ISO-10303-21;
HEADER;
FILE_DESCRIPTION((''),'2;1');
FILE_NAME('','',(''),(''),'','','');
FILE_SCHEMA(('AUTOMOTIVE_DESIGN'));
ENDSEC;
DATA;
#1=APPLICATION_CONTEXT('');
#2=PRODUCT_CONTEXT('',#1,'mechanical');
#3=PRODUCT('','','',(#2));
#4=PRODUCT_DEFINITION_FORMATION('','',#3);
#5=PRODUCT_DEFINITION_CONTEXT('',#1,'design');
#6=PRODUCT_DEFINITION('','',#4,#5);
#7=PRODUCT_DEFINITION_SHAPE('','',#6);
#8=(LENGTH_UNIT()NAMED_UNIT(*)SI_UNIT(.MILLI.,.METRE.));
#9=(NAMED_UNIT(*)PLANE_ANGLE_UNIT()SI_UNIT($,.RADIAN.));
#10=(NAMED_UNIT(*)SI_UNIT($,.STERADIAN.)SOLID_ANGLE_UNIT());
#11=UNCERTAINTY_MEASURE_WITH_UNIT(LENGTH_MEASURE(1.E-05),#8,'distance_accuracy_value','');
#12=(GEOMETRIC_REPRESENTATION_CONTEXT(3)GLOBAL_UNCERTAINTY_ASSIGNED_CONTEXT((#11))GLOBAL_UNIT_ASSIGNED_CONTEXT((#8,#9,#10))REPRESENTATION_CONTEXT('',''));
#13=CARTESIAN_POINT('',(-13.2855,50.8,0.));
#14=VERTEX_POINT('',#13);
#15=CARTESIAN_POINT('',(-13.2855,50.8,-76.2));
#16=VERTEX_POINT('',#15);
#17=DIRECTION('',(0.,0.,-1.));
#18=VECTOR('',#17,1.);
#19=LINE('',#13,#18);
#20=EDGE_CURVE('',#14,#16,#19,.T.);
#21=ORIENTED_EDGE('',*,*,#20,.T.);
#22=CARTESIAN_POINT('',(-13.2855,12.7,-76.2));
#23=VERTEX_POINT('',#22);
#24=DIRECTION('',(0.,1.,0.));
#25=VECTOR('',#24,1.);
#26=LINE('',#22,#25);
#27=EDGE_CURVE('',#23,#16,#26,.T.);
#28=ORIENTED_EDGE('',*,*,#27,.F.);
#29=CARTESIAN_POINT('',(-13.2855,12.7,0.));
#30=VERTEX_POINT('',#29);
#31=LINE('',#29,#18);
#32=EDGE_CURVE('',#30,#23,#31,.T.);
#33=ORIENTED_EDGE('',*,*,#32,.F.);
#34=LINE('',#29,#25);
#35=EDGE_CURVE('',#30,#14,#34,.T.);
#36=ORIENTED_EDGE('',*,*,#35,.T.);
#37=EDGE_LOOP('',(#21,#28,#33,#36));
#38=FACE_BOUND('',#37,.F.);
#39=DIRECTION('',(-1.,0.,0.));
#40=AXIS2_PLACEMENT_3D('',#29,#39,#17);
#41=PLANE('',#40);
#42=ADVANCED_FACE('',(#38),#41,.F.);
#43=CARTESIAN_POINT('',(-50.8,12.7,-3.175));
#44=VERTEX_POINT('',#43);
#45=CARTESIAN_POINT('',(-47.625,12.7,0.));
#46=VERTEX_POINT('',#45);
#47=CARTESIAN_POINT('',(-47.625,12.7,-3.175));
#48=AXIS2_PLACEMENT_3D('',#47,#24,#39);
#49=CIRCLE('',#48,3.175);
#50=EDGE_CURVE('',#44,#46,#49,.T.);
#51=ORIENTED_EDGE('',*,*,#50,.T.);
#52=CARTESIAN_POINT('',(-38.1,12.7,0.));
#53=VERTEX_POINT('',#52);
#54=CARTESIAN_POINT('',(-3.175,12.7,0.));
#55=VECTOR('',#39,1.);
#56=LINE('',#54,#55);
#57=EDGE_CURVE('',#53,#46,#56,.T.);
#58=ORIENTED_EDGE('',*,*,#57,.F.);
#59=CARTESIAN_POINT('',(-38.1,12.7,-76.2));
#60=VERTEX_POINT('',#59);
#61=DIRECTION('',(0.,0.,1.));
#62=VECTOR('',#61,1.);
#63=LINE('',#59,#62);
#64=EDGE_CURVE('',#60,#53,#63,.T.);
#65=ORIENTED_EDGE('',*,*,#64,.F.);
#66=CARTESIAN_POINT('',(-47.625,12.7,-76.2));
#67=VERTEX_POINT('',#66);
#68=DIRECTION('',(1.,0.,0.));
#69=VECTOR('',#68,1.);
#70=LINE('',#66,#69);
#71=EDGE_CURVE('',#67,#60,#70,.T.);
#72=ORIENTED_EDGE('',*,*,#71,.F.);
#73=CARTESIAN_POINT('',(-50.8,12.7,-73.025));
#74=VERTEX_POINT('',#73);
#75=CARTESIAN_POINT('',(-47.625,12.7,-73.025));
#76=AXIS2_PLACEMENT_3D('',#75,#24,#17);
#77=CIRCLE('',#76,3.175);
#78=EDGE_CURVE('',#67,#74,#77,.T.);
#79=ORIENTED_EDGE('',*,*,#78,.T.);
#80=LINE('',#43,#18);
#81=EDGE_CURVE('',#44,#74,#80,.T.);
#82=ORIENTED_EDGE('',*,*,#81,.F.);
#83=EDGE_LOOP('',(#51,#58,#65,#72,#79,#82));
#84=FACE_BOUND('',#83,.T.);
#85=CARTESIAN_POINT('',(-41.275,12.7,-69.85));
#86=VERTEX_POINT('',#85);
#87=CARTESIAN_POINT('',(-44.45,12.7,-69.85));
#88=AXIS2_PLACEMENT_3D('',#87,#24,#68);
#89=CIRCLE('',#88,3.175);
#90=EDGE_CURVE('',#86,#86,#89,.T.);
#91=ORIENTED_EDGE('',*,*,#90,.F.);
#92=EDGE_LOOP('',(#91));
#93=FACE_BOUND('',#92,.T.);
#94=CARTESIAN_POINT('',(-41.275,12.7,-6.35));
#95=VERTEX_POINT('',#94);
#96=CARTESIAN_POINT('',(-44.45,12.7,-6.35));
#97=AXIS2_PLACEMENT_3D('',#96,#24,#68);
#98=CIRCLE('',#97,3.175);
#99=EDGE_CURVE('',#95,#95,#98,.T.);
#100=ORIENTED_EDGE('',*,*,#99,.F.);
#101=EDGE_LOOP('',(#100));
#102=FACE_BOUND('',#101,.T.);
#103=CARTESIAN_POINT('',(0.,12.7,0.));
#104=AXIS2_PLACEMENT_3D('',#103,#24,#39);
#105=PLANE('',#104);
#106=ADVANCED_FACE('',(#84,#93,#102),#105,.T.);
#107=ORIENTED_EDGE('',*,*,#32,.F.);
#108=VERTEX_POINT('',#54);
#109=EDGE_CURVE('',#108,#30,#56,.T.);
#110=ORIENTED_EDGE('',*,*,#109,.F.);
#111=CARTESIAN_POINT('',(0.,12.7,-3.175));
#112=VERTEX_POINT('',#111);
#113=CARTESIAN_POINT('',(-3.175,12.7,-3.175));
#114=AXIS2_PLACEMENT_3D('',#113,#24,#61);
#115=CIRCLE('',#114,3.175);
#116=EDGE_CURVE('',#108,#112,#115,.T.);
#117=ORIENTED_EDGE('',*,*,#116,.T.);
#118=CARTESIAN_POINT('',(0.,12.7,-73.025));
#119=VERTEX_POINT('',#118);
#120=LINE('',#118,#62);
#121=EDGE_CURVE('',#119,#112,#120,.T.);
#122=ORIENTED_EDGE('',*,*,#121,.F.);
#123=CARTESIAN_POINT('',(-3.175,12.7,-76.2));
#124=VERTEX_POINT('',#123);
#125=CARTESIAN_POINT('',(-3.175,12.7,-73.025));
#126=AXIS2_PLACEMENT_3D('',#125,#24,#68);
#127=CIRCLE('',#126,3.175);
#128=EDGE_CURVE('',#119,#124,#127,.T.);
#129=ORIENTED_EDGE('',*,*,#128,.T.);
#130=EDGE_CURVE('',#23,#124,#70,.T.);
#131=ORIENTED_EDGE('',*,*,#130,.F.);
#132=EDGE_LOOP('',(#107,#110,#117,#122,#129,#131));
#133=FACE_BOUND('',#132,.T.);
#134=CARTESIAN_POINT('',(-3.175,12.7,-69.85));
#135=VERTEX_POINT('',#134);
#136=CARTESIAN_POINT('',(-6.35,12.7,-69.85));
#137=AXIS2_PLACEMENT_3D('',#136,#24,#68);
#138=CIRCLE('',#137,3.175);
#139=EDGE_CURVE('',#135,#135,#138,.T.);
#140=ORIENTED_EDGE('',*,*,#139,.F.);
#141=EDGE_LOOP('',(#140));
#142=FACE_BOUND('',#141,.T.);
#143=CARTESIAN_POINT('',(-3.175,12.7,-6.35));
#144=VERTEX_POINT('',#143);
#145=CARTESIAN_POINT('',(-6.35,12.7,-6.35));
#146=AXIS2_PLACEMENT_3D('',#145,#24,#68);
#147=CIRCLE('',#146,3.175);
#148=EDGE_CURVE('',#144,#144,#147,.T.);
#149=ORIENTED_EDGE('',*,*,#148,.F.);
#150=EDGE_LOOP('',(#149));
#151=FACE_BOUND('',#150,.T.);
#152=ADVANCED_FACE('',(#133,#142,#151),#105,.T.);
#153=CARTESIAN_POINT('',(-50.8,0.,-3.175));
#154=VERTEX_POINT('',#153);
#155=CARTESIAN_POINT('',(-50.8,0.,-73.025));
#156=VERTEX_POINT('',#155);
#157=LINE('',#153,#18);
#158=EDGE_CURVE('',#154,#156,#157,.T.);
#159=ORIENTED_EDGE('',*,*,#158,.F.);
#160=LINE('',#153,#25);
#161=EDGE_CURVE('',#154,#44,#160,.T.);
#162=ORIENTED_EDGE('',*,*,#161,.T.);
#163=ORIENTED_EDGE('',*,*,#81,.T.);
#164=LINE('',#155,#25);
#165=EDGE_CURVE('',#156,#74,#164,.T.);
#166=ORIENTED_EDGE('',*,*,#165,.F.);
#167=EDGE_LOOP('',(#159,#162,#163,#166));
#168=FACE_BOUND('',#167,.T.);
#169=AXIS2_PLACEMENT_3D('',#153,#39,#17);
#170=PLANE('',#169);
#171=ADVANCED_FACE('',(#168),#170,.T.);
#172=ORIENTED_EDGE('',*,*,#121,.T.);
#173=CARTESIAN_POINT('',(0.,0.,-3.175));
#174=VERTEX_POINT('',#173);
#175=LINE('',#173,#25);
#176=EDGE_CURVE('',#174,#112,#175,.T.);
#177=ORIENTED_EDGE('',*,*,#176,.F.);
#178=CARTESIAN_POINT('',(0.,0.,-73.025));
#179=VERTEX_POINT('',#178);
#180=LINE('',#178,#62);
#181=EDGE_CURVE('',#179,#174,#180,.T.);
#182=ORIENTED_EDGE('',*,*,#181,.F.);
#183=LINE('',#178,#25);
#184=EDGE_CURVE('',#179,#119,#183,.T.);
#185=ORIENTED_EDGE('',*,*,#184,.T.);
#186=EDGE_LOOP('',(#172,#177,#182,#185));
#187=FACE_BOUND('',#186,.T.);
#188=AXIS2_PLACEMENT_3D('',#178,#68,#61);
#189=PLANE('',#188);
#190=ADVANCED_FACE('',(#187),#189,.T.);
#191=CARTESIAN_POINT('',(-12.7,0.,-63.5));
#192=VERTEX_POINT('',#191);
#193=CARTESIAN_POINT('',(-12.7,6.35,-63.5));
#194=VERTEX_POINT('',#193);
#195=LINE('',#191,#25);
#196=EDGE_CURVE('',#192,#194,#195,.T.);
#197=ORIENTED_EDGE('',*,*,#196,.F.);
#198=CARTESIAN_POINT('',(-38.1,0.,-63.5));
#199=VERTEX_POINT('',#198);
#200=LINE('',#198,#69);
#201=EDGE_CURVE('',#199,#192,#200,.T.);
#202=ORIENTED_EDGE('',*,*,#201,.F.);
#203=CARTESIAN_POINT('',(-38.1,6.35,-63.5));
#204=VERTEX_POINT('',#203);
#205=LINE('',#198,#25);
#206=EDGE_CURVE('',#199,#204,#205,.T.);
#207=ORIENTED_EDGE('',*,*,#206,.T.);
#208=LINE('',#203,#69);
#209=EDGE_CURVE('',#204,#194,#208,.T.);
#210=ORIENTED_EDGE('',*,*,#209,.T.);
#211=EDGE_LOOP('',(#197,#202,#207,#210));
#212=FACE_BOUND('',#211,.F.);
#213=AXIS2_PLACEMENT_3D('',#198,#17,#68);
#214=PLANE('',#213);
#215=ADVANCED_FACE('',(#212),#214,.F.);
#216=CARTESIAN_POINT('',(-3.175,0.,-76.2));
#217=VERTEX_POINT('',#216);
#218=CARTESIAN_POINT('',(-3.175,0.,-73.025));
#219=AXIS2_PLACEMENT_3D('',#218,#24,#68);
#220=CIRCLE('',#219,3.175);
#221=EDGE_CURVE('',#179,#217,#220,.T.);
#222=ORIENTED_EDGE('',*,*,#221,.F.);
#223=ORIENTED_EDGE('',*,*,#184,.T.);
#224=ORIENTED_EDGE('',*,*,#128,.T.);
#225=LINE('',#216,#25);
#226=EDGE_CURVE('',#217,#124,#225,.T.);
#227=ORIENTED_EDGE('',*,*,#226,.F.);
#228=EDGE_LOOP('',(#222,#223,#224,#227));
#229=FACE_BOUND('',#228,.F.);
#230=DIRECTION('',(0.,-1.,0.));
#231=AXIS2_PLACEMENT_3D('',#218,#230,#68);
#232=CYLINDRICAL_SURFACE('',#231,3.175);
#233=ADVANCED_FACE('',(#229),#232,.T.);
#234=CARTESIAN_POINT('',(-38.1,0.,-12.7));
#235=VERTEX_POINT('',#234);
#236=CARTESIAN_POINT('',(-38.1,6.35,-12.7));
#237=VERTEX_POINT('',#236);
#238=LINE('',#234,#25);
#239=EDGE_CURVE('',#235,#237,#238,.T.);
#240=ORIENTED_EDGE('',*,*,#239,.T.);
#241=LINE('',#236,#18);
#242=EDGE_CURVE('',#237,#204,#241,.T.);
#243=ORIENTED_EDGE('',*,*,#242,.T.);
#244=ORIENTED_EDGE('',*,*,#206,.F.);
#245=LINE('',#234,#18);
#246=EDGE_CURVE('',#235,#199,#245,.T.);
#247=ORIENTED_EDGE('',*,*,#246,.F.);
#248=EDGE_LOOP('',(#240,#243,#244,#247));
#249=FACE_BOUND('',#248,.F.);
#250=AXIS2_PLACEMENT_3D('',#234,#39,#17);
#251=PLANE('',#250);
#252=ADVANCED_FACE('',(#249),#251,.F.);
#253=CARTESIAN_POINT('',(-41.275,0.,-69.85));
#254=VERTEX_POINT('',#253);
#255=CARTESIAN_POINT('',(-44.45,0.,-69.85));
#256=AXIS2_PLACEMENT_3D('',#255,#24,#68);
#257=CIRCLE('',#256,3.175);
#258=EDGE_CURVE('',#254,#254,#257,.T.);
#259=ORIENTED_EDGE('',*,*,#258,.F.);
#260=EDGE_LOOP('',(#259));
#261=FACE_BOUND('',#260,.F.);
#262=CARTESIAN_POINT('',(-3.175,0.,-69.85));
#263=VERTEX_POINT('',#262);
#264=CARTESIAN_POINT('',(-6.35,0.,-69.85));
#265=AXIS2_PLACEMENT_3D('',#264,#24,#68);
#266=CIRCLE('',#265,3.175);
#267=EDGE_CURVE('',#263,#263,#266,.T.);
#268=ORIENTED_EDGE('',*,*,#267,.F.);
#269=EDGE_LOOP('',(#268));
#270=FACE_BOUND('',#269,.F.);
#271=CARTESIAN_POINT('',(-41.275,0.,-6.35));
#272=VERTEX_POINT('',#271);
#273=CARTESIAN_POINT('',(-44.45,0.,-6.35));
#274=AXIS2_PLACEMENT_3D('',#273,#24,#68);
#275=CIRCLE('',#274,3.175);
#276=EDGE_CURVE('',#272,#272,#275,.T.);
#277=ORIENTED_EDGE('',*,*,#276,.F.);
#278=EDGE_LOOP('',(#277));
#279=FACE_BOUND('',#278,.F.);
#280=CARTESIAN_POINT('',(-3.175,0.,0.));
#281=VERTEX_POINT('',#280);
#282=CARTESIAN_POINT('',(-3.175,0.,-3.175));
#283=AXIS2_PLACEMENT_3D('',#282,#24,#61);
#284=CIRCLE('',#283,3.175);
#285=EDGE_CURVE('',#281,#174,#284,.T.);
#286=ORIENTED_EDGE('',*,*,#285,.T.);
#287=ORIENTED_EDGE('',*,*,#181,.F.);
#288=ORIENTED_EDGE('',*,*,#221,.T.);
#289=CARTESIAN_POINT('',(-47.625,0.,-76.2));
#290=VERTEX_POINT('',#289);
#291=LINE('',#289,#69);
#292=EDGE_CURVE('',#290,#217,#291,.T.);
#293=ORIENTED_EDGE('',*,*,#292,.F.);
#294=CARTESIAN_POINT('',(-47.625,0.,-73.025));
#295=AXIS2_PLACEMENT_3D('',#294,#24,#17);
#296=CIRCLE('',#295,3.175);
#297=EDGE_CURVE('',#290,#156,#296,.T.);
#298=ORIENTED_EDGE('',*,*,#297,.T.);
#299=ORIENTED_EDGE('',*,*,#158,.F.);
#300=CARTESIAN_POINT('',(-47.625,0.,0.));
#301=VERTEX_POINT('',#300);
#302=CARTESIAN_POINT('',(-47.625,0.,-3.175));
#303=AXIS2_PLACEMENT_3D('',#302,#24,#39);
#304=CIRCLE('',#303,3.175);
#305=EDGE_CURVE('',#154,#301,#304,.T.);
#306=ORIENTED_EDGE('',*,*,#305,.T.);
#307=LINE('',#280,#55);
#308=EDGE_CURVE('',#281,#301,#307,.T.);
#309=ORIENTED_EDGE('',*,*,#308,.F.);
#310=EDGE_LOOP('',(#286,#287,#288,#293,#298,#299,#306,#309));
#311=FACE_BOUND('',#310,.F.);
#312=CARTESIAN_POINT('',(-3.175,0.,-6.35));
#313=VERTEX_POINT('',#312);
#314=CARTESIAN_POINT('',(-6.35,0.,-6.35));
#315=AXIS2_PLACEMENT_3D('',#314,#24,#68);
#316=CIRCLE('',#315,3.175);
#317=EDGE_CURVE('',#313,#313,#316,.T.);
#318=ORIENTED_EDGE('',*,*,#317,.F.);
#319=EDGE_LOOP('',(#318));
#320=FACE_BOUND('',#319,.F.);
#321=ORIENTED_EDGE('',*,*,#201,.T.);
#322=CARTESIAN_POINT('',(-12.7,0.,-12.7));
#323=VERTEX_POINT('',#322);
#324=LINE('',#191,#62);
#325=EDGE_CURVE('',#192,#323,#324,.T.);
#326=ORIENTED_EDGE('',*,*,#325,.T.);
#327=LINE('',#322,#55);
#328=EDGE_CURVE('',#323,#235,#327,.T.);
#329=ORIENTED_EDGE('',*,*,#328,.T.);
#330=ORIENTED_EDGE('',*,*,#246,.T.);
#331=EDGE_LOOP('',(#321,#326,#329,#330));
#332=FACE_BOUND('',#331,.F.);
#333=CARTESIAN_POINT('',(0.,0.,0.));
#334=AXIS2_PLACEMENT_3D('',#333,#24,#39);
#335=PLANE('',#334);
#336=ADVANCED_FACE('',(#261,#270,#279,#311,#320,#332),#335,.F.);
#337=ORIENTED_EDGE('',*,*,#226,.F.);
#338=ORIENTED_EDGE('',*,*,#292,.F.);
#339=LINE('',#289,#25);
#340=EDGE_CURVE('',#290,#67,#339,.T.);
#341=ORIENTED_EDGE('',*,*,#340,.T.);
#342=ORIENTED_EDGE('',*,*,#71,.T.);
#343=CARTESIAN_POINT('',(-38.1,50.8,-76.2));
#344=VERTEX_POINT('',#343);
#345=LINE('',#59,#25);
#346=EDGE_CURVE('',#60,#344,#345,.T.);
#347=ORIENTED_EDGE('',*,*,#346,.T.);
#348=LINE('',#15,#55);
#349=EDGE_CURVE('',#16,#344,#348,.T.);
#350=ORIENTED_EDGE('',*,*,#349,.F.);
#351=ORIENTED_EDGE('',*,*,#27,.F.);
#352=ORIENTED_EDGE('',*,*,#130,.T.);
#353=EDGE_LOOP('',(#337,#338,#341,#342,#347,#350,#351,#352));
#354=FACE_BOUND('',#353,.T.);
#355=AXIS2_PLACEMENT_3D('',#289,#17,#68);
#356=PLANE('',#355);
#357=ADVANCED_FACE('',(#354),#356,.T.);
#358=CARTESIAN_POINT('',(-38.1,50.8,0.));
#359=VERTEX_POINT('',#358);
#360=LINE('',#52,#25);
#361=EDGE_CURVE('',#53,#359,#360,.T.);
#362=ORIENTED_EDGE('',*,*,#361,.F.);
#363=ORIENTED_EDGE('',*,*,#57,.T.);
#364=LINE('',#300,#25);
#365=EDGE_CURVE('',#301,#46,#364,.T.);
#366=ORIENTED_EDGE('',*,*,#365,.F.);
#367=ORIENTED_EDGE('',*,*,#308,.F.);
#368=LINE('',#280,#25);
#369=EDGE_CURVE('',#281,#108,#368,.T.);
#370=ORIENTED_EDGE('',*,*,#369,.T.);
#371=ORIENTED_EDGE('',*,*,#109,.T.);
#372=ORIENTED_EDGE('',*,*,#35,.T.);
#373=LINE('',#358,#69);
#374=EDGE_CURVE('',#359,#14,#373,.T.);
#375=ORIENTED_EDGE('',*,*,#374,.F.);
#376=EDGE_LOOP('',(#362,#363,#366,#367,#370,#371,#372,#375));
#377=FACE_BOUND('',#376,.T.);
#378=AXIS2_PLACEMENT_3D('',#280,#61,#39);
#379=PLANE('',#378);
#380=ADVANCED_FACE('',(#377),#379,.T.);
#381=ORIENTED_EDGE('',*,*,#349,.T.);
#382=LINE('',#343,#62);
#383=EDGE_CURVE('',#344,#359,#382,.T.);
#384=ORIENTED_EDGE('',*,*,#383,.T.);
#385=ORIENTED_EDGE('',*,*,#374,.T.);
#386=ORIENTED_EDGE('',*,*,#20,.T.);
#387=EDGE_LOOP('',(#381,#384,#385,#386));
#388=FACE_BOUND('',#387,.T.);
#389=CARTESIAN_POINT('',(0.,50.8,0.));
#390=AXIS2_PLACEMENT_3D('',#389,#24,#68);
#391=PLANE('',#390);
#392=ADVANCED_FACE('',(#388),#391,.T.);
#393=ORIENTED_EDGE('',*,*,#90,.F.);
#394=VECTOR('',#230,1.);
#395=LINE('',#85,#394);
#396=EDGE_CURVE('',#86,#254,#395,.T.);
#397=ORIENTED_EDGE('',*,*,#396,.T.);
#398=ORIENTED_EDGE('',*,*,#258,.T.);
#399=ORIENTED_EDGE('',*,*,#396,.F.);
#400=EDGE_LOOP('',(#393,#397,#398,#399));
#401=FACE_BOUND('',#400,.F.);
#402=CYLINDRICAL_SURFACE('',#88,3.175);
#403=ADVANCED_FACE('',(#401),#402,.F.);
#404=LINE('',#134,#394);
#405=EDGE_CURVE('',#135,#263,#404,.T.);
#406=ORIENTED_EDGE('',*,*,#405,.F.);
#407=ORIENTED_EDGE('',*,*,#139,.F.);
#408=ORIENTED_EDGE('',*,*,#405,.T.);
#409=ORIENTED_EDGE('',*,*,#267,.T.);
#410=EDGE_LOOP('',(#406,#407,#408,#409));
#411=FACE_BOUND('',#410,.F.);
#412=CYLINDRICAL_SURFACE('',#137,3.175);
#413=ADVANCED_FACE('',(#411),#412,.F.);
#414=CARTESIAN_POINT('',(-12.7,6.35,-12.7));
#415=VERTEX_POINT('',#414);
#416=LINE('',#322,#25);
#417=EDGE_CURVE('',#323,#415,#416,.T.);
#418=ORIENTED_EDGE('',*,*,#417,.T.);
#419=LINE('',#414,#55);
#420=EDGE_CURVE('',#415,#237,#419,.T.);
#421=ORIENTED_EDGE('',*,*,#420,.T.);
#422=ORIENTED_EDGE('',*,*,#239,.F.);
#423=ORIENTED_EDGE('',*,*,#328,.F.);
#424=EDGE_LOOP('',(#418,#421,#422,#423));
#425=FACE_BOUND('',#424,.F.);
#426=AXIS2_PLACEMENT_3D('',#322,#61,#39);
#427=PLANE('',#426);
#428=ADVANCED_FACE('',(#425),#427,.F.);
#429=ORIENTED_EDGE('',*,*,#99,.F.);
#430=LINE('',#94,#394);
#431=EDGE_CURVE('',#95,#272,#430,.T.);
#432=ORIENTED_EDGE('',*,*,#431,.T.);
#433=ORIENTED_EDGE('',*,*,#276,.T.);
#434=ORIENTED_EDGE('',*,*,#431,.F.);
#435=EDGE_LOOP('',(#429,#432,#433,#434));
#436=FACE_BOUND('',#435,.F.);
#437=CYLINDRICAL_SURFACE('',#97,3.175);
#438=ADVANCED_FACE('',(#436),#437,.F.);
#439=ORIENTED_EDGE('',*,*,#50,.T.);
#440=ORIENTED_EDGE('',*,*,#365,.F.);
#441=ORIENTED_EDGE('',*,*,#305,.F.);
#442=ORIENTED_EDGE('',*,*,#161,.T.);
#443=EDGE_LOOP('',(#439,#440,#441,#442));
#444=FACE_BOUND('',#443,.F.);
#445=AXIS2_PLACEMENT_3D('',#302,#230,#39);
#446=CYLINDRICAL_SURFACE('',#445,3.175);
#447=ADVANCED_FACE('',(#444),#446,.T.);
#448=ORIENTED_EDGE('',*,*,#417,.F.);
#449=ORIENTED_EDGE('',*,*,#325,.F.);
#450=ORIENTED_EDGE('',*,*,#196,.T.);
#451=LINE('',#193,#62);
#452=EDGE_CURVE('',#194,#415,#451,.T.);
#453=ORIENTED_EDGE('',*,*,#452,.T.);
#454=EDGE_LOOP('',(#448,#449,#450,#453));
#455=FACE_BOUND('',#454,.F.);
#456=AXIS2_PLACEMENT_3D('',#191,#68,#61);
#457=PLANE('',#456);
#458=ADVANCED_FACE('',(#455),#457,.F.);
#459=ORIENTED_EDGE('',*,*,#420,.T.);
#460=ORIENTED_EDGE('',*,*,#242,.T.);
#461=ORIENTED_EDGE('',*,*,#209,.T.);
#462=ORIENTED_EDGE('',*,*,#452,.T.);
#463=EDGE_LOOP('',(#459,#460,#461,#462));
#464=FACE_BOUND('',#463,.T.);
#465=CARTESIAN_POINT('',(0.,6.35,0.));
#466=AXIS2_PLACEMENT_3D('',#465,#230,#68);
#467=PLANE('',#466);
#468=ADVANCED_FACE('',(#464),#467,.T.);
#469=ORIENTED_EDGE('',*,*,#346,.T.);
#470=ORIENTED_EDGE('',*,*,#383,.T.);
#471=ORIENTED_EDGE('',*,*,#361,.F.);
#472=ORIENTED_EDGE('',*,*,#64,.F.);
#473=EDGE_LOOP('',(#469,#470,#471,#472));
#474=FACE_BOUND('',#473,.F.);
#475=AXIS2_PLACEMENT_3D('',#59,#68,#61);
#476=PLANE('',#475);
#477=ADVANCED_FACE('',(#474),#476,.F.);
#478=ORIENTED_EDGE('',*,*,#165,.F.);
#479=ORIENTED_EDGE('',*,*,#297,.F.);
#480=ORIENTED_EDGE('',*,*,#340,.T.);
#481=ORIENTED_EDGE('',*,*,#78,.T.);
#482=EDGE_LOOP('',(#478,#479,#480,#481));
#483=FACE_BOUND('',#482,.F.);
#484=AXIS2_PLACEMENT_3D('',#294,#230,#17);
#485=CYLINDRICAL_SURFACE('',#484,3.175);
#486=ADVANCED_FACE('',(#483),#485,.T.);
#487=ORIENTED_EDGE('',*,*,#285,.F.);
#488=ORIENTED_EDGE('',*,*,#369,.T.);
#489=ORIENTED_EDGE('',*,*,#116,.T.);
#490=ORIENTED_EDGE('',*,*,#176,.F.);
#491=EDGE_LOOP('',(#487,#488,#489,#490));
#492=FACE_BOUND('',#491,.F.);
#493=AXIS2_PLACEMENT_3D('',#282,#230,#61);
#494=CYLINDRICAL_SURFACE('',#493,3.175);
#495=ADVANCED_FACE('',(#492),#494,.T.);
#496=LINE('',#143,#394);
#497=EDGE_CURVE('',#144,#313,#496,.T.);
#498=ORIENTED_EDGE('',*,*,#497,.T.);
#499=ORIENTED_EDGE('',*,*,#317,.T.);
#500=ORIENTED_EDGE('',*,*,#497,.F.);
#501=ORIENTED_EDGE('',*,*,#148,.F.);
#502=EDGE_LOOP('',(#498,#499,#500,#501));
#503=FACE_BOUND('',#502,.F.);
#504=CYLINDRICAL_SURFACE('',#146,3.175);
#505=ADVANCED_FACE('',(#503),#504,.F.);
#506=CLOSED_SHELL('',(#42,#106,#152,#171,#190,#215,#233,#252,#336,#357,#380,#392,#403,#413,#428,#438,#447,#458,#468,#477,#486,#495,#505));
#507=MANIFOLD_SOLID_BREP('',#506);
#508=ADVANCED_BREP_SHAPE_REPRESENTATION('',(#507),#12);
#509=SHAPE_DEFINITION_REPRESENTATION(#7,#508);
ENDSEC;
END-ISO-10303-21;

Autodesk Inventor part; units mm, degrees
ref_plane "YZ Plane" through (0, 0, 0) normal (1, 0, 0) x (0, 1, 0)
ref_plane "XZ Plane" through (0, 0, 0) normal (0, 1, 0) x (-1, 0, 0)
ref_plane "XY Plane" through (0, 0, 0) normal (0, 0, 1) x (1, 0, 0)
sketch "Sketch1" plane through (0, 0, 0) normal (0, 1, 0) x (-1, 0, 0)
  line L0 (3.175, 0) -> (47.625, 0)
  line L1 (50.8, -3.175) -> (50.8, -73.025)
  line L2 (47.625, -76.2) -> (3.175, -76.2)
  line L3 (0, -73.025) -> (0, -3.175)
  arc A0 (50.8, -3.175) -> (47.625, 0) centre (47.625, -3.175) ccw
  arc A1 (3.175, 0) -> (0, -3.175) centre (3.175, -3.175) ccw
  arc A2 (0, -73.025) -> (3.175, -76.2) centre (3.175, -73.025) ccw
  arc A3 (47.625, -76.2) -> (50.8, -73.025) centre (47.625, -73.025) ccw
  point P0 (0, 0)
  point P1 (50.8, -76.2)
  point P2 (50.8, 0)
  point P3 (0, -76.2)
  dimension "d0" = 50.8
  dimension "d1" = 76.2
  dimension "d4" = 3.175
extrude "Extrusion1" add sketch "Sketch1" along normal blind 12.7
sketch "Sketch2" plane through (0, 12.7, 0) normal (0, 1, 0) x (1, 0, 0)
  line L0 (0, 0) -> (-6.35, 0) construction
  line L1 (-6.35, 0) -> (-6.35, 6.35) construction
  line L2 (-6.35, 6.35) -> (0, 6.35) construction
  line L3 (0, 6.35) -> (0, 0) construction
  circle A0 centre (-6.35, 6.35) radius 3.175
  line L4 (0, 3.175) -> (0, 73.025) construction
  line L5 (0, 38.1) -> (-50.8802, 38.1) construction
  line L6 (-50.8802, 38.1) -> (-25.4, 76.2) construction
  line L7 (-3.175, 76.2) -> (-47.625, 76.2) construction
  line L8 (-25.4, 76.2) -> (-25.4, 0) construction
  line L9 (-47.625, 0) -> (-3.175, 0) construction
  circle A1 centre (-6.35, 69.85) radius 3.175
  circle A2 centre (-44.45, 6.35) radius 3.175
  circle A3 centre (-44.45, 69.85) radius 3.175
  dimension "d5" = 6.35
  dimension "d6" = 6.35
  dimension "d7" = 6.35
extrude "Extrusion2" cut sketch "Sketch2" against normal through all
sketch "Sketch3" plane through (0, 12.7, 0) normal (0, 1, 0) x (1, 0, 0)
  line L0 (0, 0) -> (-12.7, 0) construction
  line L1 (0, 0) -> (12.7, 0) construction
  line L2 (-47.625, 0) -> (-3.175, 0) construction
  line L3 (-25.4, 0) -> (-25.4, 76.2) construction
  line L4 (-3.175, 76.2) -> (-47.625, 76.2) construction
  line L5 (-50.8, 0) -> (-38.1, 0) construction
  line L6 (-38.1, 0) -> (-13.2855, 0)
  line L7 (-13.2855, 0) -> (-13.2855, 76.2)
  line L8 (-13.2855, 76.2) -> (-38.1, 76.2)
  line L9 (-38.1, 76.2) -> (-38.1, 0)
  dimension "d14" = 12.7
  dimension "d15" = 180
extrude "Extrusion3" add sketch "Sketch3" along normal blind 38.1
sketch "Sketch4" plane through (0, 0, 0) normal (0, -1, 0) x (1, 0, 0)
  line L0 (0, 0) -> (-12.7, 0) construction
  line L1 (-12.7, 0) -> (-12.7, -12.7) construction
  line L2 (-12.7, -12.7) -> (0, -12.7) construction
  line L3 (0, -12.7) -> (0, 0) construction
  line L4 (-50.8, -76.2) -> (-38.1, -76.2) construction
  line L5 (-38.1, -76.2) -> (-38.1, -63.5) construction
  line L6 (-38.1, -63.5) -> (-50.8, -63.5) construction
  line L7 (-50.8, -63.5) -> (-50.8, -76.2) construction
  line L8 (-12.7, -12.7) -> (-38.1, -12.7)
  line L9 (-38.1, -12.7) -> (-38.1, -63.5)
  line L10 (-38.1, -63.5) -> (-12.7, -63.5)
  line L11 (-12.7, -63.5) -> (-12.7, -12.7)
  dimension "d18" = 12.7
  dimension "d19" = 12.7
  dimension "d20" = 12.7
  dimension "d21" = 12.7
extrude "Extrusion4" cut sketch "Sketch4" against normal blind 6.35
properties part number "Near Gantry Bracket"
